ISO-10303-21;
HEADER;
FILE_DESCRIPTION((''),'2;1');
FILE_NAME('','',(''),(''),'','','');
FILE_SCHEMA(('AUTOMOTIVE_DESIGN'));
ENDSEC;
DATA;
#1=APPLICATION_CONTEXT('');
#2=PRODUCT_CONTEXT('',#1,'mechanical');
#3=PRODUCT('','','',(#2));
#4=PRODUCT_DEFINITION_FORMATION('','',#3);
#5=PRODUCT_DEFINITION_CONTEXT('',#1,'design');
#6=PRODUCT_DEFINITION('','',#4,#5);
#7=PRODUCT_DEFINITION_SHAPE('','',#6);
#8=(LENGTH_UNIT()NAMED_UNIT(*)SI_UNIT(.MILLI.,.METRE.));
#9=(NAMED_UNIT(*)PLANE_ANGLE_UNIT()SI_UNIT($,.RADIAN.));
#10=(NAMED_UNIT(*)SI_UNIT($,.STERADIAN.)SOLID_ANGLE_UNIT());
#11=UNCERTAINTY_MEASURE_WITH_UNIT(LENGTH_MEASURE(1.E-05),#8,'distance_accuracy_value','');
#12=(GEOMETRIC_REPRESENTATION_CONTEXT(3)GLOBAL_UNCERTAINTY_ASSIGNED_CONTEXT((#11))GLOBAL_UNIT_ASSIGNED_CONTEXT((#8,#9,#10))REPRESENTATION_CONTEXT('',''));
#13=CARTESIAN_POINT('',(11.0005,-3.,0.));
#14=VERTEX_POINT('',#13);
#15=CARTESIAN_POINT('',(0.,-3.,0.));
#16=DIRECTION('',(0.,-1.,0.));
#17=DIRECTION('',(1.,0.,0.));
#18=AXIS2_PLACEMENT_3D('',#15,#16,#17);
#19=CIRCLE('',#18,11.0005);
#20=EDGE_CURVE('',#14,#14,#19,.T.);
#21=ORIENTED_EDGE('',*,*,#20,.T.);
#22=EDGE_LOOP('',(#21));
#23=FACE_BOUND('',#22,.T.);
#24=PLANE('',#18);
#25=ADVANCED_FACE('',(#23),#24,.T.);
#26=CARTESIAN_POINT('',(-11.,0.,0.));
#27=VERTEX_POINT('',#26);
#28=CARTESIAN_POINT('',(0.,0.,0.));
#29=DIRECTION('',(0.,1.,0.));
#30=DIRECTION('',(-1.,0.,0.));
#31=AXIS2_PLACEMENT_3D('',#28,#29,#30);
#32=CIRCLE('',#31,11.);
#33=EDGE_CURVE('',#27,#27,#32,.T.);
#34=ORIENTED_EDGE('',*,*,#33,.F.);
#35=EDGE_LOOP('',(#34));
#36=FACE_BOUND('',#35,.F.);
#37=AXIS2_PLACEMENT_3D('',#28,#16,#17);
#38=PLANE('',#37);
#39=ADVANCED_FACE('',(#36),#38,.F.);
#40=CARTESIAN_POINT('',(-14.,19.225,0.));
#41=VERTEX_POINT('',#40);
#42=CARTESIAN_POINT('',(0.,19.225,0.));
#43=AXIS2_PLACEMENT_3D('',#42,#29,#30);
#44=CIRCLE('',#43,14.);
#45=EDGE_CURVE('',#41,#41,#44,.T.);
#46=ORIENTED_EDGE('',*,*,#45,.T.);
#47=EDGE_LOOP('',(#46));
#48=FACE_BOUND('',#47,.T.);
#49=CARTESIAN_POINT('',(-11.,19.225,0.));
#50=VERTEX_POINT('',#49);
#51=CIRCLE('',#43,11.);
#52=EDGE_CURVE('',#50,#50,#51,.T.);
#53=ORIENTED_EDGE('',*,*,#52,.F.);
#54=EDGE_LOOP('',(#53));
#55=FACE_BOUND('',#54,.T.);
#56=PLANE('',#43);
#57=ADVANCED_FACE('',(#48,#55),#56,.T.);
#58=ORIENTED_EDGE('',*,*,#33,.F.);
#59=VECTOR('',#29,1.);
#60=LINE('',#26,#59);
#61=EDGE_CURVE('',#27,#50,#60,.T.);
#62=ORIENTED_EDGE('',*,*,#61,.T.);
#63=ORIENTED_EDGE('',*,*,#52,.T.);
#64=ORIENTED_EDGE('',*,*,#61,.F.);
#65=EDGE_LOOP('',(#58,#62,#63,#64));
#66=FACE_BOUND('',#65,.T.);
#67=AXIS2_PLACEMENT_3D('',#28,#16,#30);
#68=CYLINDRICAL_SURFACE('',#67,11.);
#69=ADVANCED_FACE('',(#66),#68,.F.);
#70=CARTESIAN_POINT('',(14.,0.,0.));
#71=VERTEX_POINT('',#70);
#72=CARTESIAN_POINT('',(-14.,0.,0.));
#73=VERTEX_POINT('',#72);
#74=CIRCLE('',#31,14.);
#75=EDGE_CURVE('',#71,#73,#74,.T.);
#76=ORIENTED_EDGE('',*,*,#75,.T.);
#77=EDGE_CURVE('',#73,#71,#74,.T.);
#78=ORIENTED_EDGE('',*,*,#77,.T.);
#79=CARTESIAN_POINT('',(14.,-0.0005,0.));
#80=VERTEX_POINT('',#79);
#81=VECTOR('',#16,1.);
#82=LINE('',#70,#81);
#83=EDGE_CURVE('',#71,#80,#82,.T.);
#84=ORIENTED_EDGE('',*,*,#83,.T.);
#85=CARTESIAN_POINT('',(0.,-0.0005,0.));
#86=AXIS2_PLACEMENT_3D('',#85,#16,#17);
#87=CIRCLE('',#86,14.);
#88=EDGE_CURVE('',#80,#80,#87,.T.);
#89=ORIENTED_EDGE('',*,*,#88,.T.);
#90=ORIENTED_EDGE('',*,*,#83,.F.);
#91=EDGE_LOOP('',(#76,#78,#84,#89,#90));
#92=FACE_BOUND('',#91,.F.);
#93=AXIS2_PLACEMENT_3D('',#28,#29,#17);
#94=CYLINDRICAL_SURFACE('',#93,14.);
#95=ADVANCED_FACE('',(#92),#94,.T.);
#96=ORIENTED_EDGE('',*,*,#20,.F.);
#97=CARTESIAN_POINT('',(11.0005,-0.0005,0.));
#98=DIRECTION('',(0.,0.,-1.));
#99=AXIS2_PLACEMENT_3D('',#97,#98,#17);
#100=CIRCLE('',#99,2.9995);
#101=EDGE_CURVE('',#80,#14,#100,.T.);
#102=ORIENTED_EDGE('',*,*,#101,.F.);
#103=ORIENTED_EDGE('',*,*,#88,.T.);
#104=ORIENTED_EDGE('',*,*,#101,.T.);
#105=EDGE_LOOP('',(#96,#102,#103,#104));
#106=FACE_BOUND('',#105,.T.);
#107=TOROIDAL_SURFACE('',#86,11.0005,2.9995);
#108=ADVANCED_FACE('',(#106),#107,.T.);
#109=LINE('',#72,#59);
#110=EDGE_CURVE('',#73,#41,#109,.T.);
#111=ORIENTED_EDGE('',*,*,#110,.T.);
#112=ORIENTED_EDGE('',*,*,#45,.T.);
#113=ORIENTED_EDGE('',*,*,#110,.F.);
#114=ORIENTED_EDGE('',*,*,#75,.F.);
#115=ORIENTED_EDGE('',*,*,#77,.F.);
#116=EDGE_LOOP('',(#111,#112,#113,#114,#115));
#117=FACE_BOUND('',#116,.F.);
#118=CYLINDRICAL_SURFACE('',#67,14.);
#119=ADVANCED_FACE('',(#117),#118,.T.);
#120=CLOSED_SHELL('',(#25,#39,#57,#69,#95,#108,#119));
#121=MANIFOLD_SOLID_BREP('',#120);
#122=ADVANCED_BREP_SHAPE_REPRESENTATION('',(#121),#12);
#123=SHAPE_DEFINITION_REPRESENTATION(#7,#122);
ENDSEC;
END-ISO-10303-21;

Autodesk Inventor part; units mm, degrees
ref_plane "YZ Plane" through (0, 0, 0) normal (1, 0, 0) x (0, 1, 0)
ref_plane "XZ Plane" through (0, 0, 0) normal (0, 1, 0) x (-1, 0, 0)
ref_plane "XY Plane" through (0, 0, 0) normal (0, 0, 1) x (1, 0, 0)
sketch "Sketch5" plane through (0, 0, 0) normal (0, 1, 0) x (-1, 0, 0)
  circle A0 centre (0, 0) radius 11
  circle A1 centre (0, 0) radius 14
  dimension "d11" = 22
  dimension "d12" = 3
extrude "Extrusion4" add sketch "Sketch5" along normal blind 19.225
sketch "Sketch6" plane through (0, 0, 0) normal (0, -1, 0) x (1, 0, 0)
  circle A0 centre (0, 0) radius 14
extrude "Extrusion5" add sketch "Sketch6" along normal blind 3
fillet "Fillet2" radius 3 1 edges at (-14, -3, 0)
properties part number "Cap"
